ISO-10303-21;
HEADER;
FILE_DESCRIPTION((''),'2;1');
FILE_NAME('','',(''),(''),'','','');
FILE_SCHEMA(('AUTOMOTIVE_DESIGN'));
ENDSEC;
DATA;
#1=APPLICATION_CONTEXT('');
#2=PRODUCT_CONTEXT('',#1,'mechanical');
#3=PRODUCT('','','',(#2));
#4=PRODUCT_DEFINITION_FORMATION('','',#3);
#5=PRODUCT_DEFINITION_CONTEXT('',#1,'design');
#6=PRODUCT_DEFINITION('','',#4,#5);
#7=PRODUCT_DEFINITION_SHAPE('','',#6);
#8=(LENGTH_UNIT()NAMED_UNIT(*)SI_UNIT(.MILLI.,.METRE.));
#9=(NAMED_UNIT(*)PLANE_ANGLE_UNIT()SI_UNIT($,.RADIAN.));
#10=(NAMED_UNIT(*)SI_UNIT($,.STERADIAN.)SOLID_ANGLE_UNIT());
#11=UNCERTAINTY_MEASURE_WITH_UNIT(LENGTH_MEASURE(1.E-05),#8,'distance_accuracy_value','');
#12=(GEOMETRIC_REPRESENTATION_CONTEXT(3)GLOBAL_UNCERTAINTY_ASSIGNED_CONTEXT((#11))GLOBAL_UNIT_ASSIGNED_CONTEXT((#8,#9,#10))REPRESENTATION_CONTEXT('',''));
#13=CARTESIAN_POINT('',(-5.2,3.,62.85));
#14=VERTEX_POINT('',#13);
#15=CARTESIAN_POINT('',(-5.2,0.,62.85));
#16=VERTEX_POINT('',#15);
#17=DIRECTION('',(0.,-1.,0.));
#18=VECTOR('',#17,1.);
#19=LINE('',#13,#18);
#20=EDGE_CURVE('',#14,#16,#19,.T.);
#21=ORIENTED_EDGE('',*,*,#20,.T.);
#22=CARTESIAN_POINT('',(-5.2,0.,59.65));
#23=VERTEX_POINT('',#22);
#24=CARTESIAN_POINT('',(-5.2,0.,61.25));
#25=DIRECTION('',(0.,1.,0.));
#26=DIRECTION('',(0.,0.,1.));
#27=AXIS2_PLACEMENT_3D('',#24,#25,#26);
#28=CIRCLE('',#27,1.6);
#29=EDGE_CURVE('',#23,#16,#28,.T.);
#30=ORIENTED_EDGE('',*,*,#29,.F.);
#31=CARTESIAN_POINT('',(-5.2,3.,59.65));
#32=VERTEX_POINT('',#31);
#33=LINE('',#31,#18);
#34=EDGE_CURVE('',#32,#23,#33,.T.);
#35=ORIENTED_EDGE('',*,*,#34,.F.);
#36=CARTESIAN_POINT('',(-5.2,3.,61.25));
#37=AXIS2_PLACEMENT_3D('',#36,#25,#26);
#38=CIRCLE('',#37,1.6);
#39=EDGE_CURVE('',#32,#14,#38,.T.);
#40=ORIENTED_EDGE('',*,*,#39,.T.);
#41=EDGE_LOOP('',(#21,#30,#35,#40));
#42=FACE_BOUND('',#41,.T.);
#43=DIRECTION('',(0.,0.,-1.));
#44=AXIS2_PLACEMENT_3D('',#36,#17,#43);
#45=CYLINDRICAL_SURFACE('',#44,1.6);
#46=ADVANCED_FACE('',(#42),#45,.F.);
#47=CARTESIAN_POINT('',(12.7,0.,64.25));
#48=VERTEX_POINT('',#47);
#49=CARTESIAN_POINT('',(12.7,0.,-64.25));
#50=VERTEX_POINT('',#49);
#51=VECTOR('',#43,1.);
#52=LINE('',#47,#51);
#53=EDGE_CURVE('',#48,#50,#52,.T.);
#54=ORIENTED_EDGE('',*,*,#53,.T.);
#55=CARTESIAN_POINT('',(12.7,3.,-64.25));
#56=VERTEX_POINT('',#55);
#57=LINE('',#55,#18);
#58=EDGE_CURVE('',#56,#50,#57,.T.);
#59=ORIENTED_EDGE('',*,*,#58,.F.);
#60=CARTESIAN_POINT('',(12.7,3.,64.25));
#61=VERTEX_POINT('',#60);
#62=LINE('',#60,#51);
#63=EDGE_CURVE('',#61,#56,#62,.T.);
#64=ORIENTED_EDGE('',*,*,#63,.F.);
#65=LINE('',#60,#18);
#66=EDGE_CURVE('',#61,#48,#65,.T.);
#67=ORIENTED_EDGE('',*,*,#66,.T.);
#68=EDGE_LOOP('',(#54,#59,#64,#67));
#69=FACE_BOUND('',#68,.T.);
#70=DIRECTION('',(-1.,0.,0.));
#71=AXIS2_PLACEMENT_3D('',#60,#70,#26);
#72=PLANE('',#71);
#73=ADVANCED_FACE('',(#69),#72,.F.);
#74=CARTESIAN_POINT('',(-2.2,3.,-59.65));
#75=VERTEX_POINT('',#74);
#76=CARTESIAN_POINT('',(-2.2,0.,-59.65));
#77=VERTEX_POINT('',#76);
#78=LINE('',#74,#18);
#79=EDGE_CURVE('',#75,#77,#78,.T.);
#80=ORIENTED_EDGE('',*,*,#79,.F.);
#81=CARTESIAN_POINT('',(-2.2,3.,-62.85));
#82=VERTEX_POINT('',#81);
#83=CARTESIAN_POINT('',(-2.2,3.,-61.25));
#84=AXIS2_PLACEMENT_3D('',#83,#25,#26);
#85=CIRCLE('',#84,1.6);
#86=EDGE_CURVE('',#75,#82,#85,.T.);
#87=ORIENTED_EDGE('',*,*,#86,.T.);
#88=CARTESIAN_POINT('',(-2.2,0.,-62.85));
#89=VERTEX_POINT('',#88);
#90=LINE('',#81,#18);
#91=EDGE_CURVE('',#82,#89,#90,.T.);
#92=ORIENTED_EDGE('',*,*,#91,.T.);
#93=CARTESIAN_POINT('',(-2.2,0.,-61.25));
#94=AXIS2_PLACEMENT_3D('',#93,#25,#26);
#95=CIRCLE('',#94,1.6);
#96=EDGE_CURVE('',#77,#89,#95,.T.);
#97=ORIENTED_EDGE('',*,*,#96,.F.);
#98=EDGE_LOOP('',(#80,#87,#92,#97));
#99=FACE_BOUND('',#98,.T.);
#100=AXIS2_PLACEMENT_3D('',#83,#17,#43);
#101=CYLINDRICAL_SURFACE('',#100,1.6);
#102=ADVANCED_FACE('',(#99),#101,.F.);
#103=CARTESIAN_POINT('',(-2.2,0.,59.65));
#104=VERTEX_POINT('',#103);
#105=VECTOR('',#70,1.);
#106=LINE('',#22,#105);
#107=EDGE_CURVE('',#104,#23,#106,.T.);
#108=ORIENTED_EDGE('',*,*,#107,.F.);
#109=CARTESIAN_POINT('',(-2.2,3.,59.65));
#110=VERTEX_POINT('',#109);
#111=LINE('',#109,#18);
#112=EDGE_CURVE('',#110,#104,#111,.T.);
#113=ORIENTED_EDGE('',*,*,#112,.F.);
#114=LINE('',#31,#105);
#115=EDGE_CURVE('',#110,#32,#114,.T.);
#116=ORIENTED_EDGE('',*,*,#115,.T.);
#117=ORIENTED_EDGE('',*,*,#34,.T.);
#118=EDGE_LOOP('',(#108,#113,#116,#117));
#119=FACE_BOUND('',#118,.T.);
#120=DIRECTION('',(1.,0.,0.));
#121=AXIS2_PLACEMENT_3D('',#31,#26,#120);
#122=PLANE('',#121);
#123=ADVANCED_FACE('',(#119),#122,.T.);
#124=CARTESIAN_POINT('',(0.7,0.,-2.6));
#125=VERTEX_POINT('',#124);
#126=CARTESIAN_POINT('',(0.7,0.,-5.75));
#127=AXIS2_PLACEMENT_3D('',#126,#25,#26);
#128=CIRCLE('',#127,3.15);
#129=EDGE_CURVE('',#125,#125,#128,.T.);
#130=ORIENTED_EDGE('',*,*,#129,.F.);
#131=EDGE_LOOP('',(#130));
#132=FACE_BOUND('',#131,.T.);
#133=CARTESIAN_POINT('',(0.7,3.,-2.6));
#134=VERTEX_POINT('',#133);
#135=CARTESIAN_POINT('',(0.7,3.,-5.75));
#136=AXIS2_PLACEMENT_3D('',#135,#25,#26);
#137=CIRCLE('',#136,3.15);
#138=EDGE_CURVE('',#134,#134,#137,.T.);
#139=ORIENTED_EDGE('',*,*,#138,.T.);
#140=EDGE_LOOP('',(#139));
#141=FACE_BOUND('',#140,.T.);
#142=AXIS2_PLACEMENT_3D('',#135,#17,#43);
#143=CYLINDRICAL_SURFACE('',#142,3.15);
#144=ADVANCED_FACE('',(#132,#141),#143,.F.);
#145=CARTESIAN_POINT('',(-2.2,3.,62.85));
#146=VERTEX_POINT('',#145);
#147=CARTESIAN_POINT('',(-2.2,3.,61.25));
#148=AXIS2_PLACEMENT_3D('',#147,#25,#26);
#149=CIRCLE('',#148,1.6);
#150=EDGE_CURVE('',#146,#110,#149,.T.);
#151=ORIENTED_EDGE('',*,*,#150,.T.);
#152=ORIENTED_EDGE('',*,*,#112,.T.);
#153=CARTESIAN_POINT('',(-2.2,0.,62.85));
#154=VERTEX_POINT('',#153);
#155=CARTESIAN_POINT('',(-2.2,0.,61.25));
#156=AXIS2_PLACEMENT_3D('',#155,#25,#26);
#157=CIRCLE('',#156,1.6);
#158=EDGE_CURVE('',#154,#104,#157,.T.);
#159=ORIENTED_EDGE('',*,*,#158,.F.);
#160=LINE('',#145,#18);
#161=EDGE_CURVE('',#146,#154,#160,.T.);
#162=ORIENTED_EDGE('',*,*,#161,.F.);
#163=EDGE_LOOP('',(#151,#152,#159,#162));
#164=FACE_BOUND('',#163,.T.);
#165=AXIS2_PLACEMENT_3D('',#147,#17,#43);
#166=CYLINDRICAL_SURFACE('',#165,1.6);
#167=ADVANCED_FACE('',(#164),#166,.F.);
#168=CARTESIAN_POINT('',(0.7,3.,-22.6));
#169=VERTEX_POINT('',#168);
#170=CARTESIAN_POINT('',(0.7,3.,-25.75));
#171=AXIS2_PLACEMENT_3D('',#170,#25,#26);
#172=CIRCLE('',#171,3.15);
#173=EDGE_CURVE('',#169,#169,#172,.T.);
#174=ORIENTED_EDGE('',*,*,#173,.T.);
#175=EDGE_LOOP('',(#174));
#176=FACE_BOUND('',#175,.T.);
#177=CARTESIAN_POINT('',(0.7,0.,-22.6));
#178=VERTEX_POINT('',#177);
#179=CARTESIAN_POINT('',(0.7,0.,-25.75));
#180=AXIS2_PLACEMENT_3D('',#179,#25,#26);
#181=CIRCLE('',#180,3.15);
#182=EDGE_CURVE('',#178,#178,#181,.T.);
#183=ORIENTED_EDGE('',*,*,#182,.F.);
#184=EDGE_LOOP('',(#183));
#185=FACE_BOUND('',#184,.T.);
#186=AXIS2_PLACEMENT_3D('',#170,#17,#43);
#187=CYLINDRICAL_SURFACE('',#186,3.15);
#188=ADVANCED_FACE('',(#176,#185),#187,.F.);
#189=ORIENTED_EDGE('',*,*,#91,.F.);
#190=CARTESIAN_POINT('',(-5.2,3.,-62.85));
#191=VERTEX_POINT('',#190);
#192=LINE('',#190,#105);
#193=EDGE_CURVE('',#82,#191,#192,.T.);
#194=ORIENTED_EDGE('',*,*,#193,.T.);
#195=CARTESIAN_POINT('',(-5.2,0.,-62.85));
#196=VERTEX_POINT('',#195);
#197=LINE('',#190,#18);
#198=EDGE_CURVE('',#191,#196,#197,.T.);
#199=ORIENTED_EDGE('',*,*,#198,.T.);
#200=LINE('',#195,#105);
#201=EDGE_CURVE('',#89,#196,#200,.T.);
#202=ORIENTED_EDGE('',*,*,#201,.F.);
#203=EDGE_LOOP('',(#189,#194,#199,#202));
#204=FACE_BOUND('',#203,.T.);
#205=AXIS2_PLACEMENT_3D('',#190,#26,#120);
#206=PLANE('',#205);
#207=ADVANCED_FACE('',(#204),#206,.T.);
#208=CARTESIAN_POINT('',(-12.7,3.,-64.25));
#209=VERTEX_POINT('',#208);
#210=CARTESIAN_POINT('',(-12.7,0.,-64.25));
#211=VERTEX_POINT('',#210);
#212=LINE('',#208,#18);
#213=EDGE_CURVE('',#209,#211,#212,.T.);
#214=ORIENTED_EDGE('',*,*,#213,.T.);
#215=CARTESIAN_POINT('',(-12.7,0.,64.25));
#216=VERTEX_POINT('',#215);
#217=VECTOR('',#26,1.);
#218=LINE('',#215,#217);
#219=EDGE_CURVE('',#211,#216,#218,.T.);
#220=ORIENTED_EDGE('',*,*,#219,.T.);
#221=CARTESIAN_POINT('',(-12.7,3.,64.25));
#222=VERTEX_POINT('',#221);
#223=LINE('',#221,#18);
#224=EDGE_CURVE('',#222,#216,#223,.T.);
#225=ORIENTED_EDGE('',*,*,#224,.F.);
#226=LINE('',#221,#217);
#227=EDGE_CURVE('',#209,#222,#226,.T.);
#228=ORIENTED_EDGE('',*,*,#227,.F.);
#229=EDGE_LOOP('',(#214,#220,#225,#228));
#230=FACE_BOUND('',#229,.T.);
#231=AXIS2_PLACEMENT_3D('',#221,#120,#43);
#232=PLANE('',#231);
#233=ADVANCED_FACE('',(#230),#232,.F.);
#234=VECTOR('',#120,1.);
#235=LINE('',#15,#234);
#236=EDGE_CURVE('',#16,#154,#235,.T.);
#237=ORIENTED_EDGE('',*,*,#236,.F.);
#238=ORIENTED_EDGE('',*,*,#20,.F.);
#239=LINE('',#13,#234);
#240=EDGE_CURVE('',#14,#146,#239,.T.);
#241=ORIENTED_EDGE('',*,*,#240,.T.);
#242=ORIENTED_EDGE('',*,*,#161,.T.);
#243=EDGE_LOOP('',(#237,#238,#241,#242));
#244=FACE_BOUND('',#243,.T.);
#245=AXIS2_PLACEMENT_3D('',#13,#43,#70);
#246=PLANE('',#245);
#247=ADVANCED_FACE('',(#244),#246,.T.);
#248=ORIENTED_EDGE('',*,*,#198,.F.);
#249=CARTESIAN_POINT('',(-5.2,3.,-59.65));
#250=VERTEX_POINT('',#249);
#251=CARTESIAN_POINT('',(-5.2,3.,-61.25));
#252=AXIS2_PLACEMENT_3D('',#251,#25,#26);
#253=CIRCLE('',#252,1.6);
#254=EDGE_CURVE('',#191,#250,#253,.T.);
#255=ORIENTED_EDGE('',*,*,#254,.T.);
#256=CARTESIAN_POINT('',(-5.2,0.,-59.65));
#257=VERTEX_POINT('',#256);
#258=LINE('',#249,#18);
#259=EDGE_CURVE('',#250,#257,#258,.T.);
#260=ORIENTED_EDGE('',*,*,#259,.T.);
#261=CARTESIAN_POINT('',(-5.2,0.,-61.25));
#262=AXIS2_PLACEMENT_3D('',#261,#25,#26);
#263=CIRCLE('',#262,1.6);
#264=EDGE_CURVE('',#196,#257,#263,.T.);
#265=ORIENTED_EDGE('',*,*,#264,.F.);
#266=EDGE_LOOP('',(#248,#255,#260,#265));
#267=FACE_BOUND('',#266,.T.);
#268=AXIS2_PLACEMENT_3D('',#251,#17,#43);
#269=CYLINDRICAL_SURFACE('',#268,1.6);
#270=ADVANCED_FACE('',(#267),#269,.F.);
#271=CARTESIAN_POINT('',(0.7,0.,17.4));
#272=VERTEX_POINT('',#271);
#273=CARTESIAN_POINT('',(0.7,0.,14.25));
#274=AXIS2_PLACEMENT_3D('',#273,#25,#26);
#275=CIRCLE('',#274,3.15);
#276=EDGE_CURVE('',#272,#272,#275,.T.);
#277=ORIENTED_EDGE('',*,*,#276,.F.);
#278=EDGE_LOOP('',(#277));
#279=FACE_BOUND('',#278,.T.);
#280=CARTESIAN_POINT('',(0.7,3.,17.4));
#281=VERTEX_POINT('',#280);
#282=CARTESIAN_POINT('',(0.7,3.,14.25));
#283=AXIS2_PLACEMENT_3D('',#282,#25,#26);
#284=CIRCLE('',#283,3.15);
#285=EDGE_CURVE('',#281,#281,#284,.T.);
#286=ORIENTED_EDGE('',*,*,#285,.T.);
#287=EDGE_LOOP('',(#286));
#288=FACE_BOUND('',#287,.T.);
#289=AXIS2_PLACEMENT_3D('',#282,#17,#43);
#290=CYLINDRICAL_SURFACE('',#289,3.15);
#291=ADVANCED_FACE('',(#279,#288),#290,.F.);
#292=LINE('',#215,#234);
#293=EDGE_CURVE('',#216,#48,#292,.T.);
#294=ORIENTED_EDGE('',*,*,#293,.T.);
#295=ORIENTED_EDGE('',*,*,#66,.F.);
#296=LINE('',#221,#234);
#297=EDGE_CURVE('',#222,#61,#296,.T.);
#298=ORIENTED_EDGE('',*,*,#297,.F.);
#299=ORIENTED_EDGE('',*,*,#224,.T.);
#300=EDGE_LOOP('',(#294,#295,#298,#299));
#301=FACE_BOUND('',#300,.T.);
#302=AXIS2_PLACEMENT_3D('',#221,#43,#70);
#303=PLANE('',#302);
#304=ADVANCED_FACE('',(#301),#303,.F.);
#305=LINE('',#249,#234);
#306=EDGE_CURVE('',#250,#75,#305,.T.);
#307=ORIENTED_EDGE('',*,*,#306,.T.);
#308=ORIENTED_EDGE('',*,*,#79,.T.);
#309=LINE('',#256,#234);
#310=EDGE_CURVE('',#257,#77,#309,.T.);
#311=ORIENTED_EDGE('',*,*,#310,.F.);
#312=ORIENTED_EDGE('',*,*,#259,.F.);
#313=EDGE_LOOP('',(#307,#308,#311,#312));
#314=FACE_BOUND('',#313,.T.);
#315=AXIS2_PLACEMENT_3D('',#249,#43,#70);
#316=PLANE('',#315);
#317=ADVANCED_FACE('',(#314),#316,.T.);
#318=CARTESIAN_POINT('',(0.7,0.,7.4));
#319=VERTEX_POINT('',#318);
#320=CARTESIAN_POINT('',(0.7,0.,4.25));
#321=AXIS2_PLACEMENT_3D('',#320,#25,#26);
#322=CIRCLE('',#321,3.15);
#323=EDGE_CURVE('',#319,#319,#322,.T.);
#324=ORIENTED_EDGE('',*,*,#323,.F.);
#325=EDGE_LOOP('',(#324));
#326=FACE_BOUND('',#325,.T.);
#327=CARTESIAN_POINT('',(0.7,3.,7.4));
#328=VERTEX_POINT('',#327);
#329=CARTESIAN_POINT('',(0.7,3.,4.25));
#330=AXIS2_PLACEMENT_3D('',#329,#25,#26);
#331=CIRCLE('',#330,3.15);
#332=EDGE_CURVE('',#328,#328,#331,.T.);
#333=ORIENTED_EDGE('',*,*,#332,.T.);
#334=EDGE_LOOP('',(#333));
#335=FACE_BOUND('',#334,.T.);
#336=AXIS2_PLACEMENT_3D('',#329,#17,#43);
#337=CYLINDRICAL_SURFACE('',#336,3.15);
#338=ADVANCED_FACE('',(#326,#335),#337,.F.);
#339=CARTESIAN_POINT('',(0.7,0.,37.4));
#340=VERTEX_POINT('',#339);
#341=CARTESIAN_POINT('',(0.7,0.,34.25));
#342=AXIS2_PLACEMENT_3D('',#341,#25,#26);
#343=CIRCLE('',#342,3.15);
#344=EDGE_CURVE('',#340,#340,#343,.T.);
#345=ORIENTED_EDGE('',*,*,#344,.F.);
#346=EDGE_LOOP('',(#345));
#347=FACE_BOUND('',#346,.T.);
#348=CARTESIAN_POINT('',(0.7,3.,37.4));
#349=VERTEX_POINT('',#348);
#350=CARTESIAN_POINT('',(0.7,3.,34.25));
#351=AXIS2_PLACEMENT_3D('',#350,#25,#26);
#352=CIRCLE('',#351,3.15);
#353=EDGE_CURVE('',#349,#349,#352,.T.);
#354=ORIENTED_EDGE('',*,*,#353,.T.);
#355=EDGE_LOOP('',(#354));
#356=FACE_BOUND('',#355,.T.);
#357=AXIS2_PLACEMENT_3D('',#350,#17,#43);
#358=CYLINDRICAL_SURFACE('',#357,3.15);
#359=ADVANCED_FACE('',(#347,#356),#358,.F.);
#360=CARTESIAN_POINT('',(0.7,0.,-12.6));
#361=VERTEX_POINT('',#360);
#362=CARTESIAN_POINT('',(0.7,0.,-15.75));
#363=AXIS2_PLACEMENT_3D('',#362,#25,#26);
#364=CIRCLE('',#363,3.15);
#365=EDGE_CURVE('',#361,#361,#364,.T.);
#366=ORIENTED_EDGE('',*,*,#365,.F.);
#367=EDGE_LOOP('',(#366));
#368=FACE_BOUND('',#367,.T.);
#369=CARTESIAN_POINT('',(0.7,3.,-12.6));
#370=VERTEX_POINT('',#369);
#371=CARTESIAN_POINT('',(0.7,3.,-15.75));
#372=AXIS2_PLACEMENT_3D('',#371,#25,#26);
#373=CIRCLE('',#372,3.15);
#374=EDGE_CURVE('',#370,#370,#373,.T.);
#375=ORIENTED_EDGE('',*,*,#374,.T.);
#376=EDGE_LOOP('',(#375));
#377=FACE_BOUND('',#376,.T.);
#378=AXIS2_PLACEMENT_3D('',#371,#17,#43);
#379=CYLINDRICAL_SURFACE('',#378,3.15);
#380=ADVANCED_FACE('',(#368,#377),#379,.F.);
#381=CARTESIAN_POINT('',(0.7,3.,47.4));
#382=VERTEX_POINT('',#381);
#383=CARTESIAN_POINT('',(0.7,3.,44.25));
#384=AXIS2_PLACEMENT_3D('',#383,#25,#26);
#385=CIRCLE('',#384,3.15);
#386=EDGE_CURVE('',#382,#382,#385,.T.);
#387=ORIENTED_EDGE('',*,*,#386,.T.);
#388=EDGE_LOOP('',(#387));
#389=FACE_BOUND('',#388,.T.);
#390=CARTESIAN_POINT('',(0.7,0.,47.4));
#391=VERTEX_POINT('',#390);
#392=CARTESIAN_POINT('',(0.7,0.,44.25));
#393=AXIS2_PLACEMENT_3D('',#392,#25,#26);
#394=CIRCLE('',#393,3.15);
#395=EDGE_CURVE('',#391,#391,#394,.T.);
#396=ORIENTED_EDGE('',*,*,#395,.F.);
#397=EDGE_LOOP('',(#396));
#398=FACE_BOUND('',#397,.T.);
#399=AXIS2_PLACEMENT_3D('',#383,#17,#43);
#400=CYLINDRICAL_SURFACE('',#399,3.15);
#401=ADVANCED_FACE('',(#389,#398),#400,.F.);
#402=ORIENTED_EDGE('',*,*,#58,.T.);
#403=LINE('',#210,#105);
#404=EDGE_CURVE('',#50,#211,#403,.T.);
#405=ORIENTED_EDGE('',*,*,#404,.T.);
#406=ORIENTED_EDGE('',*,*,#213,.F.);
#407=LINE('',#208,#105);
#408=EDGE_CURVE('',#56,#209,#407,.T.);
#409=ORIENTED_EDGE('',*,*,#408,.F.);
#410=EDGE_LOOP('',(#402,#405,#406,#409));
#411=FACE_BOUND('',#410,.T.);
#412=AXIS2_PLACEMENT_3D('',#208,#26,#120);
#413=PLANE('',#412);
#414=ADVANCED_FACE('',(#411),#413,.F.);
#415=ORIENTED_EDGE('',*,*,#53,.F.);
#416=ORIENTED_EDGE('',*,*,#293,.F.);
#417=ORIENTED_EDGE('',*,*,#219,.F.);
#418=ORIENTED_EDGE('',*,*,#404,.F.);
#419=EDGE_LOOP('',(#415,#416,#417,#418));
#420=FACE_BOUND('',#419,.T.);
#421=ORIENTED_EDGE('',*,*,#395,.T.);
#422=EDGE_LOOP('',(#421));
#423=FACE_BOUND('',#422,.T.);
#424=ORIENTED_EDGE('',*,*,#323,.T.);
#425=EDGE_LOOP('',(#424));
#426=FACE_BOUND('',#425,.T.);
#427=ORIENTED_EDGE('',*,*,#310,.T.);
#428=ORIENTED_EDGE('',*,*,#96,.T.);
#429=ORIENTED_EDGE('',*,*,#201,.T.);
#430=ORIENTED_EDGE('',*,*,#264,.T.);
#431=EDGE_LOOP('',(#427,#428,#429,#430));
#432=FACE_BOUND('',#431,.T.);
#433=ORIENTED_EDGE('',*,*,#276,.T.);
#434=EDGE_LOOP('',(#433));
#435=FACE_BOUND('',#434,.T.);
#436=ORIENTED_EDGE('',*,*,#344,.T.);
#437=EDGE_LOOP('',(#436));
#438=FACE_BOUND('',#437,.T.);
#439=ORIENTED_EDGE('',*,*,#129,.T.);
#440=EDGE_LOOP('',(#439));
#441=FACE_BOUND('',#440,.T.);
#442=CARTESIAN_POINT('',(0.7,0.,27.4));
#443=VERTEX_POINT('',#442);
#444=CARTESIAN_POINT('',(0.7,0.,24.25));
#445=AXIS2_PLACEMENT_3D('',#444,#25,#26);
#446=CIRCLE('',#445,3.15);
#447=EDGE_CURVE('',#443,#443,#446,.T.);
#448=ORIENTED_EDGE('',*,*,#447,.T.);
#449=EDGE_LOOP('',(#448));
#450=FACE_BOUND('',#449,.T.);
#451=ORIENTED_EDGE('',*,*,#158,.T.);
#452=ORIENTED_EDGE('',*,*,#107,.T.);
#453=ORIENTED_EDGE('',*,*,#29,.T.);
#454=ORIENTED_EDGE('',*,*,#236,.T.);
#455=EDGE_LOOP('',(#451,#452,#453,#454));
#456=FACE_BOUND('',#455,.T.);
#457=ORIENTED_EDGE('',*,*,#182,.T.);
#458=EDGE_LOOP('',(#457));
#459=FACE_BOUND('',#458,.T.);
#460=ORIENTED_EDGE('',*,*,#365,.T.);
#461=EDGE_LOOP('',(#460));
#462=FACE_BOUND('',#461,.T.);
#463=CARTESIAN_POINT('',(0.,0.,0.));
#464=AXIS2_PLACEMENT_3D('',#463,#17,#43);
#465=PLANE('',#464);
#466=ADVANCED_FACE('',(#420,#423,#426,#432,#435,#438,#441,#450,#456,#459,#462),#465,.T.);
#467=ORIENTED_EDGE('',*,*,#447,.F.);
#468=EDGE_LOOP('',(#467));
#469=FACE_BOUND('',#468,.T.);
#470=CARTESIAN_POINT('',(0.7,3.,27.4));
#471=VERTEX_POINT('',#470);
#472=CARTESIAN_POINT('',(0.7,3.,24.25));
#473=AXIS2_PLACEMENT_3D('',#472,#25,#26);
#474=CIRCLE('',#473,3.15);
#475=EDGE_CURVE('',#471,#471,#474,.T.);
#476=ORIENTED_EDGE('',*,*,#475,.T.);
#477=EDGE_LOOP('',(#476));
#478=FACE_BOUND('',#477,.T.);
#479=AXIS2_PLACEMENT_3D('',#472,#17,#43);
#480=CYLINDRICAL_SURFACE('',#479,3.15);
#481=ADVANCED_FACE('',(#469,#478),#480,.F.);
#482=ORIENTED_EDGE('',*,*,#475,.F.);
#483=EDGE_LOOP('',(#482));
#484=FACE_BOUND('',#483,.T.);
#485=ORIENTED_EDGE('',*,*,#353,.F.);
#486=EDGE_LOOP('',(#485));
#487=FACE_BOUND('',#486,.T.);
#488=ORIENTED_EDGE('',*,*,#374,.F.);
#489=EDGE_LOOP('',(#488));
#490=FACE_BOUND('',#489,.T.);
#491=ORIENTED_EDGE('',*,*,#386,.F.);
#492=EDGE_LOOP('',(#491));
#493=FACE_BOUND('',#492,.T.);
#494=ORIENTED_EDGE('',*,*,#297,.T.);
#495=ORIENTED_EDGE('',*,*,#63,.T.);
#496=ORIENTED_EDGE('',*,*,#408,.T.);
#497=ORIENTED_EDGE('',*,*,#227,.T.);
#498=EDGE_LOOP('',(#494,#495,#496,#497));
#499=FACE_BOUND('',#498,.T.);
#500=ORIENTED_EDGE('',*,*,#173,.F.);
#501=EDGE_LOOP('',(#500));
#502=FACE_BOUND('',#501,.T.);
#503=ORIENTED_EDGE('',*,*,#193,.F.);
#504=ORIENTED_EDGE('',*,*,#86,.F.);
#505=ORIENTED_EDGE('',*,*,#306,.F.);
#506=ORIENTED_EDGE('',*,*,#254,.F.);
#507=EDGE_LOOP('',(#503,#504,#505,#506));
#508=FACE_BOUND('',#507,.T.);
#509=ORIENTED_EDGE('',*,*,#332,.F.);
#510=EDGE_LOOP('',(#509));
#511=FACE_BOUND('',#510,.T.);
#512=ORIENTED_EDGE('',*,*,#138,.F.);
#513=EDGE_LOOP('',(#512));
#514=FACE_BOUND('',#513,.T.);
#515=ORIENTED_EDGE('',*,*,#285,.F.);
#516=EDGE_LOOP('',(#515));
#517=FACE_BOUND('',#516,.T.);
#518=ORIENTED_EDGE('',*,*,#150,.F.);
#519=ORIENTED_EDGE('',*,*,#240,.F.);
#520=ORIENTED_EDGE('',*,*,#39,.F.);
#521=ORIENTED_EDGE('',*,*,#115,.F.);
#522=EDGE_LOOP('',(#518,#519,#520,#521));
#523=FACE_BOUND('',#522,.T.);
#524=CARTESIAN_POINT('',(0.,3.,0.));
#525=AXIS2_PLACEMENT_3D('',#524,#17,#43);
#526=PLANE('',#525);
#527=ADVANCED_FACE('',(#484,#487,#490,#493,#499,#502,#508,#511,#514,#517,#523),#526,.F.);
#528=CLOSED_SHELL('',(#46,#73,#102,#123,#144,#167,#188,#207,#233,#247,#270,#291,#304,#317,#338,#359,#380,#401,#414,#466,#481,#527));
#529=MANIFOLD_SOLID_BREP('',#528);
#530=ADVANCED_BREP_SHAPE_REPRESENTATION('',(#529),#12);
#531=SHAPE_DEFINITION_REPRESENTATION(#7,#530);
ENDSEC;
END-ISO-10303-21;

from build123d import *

# Parameters (mm, degrees)
SKIZZE1_W                       = 25.4
SKIZZE1_H                       = 128.5
AUFSATZ_LINEAR_AUSTRAGEN1_DEPTH = 3
SCHNITT_LINEAR_AUSTRAGEN4_DEPTH = 4
SKIZZE3_R                       = 3.15
SCHNITT_LINEAR_AUSTRAGEN6_DEPTH = 4


with BuildPart() as part:
    # Skizze1 → Aufsatz-Linear austragen1 (new body)
    with BuildSketch(Plane(origin=(0, 0, 0), x_dir=(1, 0, 0), z_dir=(0, 1, 0))):
        Rectangle(SKIZZE1_W, SKIZZE1_H)
    extrude(amount=AUFSATZ_LINEAR_AUSTRAGEN1_DEPTH)

    # Skizze2 → Schnitt-Linear austragen4 (cut, through all)
    with BuildSketch(Plane(origin=(0, 0, 0), x_dir=(1, 0, 0), z_dir=(0, 1, 0))):
        with BuildLine():
            Line((-5.2, 62.85), (-2.2, 62.85))
            ThreePointArc((-2.2, 62.85), (-0.6, 61.25), (-2.2, 59.65))
            Line((-2.2, 59.65), (-5.2, 59.65))
            ThreePointArc((-5.2, 59.65), (-6.8, 61.25), (-5.2, 62.85))
        make_face()
        with BuildLine():
            Line((-5.2, -59.65), (-2.2, -59.65))
            ThreePointArc((-2.2, -59.65), (-0.6, -61.25), (-2.2, -62.85))
            Line((-2.2, -62.85), (-5.2, -62.85))
            ThreePointArc((-5.2, -62.85), (-6.8, -61.25), (-5.2, -59.65))
        make_face()
    extrude(amount=SCHNITT_LINEAR_AUSTRAGEN4_DEPTH, mode=Mode.SUBTRACT)

    # Skizze3 → Schnitt-Linear austragen6 (cut, through all)
    with BuildSketch(Plane(origin=(0, 0, 0), x_dir=(1, 0, 0), z_dir=(0, 1, 0))):
        with Locations((0.7, -44.25)):
            Circle(SKIZZE3_R)
        with Locations((0.7, -34.25)):
            Circle(SKIZZE3_R)
        with Locations((0.7, -24.25)):
            Circle(SKIZZE3_R)
        with Locations((0.7, -14.25)):
            Circle(SKIZZE3_R)
        with Locations((0.7, -4.25)):
            Circle(SKIZZE3_R)
        with Locations((0.7, 5.75)):
            Circle(SKIZZE3_R)
        with Locations((0.7, 15.75)):
            Circle(SKIZZE3_R)
        with Locations((0.7, 25.75)):
            Circle(SKIZZE3_R)
    extrude(amount=SCHNITT_LINEAR_AUSTRAGEN6_DEPTH, mode=Mode.SUBTRACT)


solid = part.part
